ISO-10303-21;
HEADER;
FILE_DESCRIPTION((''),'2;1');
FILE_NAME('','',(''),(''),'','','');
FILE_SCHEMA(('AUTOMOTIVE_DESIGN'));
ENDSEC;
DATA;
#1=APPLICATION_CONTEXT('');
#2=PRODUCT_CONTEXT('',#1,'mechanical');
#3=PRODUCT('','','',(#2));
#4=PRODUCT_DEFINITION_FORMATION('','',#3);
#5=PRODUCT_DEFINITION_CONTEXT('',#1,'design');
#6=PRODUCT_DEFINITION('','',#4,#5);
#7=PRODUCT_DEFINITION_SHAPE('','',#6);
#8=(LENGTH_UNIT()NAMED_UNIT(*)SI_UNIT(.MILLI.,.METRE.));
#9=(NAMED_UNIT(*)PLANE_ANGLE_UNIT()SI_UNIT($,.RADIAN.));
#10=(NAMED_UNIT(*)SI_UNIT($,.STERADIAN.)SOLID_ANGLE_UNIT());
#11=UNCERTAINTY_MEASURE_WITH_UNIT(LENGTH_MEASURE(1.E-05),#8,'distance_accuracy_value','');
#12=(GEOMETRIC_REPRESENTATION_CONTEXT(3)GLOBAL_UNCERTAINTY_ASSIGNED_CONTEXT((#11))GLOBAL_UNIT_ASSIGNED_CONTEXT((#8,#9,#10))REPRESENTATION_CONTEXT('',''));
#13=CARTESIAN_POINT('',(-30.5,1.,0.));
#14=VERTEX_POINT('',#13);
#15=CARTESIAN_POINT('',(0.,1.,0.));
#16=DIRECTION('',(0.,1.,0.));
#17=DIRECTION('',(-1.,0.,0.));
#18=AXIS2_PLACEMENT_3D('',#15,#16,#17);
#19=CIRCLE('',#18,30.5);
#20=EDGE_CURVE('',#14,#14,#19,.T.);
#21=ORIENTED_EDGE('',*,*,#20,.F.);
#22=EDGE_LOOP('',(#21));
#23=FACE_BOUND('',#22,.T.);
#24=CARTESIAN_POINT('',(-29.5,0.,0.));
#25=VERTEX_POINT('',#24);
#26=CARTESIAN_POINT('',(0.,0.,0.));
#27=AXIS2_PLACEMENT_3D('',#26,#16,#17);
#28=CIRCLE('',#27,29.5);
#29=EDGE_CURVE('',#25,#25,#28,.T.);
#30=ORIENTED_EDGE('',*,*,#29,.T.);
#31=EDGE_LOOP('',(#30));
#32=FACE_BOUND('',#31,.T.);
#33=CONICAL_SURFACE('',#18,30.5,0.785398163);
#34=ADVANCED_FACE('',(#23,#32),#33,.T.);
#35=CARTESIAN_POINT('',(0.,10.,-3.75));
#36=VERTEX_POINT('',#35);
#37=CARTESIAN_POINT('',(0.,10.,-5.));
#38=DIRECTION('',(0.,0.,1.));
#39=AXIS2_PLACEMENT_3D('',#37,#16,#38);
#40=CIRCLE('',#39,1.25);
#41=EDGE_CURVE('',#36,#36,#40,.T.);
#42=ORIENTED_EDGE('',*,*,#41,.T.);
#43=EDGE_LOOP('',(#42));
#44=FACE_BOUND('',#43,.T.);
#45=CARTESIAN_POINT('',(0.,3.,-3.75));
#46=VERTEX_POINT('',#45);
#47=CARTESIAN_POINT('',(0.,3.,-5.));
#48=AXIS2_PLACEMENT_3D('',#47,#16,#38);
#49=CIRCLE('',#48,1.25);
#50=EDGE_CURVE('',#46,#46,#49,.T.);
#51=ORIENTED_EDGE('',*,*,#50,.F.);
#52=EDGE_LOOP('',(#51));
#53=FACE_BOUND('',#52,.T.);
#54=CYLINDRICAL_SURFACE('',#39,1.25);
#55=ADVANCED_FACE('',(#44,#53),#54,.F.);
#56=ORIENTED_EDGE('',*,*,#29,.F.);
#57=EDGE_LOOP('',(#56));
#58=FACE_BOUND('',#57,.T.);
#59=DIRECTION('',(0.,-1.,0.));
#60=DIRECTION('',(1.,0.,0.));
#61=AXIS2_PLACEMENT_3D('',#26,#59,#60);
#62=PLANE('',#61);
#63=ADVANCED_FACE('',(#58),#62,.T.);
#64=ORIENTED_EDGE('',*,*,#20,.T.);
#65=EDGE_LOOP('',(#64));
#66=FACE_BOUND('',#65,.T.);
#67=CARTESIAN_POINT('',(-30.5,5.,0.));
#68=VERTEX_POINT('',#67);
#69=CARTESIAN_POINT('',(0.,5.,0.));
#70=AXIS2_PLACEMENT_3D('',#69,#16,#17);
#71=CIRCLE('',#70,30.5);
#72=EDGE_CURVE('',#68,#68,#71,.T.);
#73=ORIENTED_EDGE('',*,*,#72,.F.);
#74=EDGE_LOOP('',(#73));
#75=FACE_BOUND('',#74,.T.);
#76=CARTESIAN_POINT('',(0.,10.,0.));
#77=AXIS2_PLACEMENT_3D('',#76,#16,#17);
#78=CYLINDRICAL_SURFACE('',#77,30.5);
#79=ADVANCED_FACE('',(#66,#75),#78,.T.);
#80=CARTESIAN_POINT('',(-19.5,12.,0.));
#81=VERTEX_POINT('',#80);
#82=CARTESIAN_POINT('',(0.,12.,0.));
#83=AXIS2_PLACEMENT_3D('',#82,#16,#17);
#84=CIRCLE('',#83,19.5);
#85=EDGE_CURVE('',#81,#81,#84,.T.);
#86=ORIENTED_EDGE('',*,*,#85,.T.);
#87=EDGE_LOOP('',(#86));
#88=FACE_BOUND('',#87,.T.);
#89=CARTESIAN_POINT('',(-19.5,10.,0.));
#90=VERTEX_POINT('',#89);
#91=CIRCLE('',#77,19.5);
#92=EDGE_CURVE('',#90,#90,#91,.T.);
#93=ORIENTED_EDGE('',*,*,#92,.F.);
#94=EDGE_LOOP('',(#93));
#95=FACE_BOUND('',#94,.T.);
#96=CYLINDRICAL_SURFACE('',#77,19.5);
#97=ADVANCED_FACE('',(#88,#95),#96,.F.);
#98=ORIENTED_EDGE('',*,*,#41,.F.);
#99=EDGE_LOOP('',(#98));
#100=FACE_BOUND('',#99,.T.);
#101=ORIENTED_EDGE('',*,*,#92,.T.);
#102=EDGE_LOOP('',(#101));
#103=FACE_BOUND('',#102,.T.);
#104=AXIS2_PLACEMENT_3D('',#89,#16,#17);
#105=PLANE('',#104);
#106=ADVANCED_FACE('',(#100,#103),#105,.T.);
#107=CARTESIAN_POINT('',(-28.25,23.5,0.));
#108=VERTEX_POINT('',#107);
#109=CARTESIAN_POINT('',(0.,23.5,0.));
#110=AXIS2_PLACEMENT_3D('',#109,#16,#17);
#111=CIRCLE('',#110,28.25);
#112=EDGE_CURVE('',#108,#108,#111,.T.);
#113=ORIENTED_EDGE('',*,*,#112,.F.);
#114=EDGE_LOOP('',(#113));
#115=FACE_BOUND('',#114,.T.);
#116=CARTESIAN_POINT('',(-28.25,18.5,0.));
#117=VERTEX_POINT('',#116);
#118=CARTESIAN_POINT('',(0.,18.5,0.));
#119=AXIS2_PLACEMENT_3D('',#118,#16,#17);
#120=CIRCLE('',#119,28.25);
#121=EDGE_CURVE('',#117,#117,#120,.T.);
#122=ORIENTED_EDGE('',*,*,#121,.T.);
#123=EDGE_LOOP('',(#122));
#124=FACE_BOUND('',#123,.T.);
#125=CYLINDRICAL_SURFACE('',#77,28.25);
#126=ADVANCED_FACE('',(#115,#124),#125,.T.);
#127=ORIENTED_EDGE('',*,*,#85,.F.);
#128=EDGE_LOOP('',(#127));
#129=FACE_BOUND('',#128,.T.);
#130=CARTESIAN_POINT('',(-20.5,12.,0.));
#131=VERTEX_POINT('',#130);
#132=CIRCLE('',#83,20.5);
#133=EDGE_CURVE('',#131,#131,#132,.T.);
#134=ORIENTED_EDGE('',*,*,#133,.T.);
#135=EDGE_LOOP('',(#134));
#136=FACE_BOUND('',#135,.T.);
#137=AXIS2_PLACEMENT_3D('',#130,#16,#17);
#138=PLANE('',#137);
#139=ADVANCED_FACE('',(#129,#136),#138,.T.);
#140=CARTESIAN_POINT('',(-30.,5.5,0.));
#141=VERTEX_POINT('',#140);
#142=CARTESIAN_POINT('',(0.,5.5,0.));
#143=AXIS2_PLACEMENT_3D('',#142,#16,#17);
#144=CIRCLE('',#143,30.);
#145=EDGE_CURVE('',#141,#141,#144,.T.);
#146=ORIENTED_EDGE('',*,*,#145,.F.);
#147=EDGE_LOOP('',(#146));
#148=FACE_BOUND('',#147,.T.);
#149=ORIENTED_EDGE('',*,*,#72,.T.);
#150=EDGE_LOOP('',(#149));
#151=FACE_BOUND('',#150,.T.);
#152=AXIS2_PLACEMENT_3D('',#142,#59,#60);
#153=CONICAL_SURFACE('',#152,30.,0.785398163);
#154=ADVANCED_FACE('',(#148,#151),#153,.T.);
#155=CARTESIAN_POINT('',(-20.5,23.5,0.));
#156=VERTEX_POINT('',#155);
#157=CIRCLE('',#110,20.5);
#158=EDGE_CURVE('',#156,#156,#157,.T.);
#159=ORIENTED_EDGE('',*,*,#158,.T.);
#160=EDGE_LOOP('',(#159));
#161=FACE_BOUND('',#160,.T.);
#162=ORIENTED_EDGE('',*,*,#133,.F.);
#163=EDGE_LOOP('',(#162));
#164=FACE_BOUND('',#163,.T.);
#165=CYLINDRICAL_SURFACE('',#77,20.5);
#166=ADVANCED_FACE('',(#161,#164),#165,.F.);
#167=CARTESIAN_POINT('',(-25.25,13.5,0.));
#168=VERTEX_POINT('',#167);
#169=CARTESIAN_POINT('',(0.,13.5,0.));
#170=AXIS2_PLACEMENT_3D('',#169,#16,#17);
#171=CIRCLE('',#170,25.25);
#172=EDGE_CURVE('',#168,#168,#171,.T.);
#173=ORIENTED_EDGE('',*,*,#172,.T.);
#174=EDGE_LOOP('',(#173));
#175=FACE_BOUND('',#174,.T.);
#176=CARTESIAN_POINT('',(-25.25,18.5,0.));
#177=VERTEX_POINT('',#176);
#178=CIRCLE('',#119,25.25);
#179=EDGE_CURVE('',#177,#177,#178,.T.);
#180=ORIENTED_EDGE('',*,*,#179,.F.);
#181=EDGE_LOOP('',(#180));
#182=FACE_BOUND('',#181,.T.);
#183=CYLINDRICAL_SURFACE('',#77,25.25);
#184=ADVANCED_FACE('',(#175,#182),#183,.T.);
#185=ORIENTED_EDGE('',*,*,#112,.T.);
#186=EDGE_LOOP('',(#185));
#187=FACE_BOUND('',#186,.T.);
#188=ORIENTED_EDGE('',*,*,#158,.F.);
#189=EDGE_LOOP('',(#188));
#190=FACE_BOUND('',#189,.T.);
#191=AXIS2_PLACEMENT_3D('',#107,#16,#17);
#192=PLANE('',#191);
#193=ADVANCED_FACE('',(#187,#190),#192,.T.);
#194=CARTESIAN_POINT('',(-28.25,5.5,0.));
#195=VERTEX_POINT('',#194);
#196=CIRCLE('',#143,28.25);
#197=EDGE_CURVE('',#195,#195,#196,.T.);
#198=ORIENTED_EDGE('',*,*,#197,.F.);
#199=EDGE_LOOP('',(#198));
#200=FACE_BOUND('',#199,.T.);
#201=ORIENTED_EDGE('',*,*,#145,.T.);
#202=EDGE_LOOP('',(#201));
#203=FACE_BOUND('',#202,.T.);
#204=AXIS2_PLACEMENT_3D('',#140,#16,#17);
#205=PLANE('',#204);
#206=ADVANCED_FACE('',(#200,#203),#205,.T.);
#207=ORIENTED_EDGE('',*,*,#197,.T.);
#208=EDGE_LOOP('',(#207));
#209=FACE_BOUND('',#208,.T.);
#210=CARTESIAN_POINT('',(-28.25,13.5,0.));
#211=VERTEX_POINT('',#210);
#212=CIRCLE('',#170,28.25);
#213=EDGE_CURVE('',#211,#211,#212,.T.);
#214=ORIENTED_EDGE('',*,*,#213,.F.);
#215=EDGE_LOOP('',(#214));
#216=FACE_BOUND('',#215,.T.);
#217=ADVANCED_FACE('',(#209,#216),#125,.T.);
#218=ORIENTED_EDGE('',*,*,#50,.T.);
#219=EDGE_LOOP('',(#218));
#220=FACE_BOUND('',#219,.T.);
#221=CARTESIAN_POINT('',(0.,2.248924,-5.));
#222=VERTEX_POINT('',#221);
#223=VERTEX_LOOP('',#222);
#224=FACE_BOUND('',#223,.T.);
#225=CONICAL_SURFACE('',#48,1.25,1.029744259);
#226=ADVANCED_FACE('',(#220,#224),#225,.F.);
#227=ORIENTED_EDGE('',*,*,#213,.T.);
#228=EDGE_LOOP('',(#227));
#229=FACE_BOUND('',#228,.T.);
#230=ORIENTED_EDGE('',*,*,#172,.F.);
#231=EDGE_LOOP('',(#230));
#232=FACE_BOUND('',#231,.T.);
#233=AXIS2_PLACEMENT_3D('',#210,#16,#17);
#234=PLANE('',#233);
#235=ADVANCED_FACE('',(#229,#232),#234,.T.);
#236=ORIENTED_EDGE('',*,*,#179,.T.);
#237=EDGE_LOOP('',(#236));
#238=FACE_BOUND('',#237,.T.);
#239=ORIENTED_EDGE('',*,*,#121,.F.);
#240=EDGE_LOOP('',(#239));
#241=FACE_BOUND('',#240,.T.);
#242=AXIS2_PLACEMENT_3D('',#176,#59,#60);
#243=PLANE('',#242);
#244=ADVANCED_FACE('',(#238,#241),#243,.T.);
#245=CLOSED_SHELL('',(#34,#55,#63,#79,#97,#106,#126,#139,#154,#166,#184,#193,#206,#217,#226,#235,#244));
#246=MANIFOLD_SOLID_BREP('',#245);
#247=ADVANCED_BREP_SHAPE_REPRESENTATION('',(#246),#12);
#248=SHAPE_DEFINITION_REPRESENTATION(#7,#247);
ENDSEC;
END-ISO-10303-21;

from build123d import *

# Parameters (mm, degrees)
M3X0_51_D     = 2.5
M3X0_51_DEPTH = 7
M3X0_51_TIP   = 0.751075774


with BuildPart() as part:
    # Эскиз1 → Повернуть1 (revolve)
    with BuildSketch(Plane.XY):
        Polygon((0, 0), (-29.5, 0), (-30.5, 1), (-30.5, 5), (-30, 5.5), (-28.25, 5.5), (-28.25, 13.5), (-25.25, 13.5), (-25.25, 18.5), (-28.25, 18.5), (-28.25, 23.5), (-20.5, 23.5), (-20.5, 12), (-19.5, 12), (-19.5, 10), (0, 10), align=None)
    revolve(axis=Axis((0, 10, 0), (0, -1, 0)))

    # Отверстие обработанное метчиком M3x0.51
    with Locations(Plane(origin=(0, 10, -5), x_dir=(1, 0, 0), z_dir=(0, 1, 0))):
        with Locations((0, 0)):
            Hole(M3X0_51_D / 2, depth=M3X0_51_DEPTH)
            with Locations((0, 0, -(M3X0_51_DEPTH + M3X0_51_TIP / 2))):  # 118° drill point
                Cone(0, M3X0_51_D / 2, M3X0_51_TIP, mode=Mode.SUBTRACT)


solid = part.part
